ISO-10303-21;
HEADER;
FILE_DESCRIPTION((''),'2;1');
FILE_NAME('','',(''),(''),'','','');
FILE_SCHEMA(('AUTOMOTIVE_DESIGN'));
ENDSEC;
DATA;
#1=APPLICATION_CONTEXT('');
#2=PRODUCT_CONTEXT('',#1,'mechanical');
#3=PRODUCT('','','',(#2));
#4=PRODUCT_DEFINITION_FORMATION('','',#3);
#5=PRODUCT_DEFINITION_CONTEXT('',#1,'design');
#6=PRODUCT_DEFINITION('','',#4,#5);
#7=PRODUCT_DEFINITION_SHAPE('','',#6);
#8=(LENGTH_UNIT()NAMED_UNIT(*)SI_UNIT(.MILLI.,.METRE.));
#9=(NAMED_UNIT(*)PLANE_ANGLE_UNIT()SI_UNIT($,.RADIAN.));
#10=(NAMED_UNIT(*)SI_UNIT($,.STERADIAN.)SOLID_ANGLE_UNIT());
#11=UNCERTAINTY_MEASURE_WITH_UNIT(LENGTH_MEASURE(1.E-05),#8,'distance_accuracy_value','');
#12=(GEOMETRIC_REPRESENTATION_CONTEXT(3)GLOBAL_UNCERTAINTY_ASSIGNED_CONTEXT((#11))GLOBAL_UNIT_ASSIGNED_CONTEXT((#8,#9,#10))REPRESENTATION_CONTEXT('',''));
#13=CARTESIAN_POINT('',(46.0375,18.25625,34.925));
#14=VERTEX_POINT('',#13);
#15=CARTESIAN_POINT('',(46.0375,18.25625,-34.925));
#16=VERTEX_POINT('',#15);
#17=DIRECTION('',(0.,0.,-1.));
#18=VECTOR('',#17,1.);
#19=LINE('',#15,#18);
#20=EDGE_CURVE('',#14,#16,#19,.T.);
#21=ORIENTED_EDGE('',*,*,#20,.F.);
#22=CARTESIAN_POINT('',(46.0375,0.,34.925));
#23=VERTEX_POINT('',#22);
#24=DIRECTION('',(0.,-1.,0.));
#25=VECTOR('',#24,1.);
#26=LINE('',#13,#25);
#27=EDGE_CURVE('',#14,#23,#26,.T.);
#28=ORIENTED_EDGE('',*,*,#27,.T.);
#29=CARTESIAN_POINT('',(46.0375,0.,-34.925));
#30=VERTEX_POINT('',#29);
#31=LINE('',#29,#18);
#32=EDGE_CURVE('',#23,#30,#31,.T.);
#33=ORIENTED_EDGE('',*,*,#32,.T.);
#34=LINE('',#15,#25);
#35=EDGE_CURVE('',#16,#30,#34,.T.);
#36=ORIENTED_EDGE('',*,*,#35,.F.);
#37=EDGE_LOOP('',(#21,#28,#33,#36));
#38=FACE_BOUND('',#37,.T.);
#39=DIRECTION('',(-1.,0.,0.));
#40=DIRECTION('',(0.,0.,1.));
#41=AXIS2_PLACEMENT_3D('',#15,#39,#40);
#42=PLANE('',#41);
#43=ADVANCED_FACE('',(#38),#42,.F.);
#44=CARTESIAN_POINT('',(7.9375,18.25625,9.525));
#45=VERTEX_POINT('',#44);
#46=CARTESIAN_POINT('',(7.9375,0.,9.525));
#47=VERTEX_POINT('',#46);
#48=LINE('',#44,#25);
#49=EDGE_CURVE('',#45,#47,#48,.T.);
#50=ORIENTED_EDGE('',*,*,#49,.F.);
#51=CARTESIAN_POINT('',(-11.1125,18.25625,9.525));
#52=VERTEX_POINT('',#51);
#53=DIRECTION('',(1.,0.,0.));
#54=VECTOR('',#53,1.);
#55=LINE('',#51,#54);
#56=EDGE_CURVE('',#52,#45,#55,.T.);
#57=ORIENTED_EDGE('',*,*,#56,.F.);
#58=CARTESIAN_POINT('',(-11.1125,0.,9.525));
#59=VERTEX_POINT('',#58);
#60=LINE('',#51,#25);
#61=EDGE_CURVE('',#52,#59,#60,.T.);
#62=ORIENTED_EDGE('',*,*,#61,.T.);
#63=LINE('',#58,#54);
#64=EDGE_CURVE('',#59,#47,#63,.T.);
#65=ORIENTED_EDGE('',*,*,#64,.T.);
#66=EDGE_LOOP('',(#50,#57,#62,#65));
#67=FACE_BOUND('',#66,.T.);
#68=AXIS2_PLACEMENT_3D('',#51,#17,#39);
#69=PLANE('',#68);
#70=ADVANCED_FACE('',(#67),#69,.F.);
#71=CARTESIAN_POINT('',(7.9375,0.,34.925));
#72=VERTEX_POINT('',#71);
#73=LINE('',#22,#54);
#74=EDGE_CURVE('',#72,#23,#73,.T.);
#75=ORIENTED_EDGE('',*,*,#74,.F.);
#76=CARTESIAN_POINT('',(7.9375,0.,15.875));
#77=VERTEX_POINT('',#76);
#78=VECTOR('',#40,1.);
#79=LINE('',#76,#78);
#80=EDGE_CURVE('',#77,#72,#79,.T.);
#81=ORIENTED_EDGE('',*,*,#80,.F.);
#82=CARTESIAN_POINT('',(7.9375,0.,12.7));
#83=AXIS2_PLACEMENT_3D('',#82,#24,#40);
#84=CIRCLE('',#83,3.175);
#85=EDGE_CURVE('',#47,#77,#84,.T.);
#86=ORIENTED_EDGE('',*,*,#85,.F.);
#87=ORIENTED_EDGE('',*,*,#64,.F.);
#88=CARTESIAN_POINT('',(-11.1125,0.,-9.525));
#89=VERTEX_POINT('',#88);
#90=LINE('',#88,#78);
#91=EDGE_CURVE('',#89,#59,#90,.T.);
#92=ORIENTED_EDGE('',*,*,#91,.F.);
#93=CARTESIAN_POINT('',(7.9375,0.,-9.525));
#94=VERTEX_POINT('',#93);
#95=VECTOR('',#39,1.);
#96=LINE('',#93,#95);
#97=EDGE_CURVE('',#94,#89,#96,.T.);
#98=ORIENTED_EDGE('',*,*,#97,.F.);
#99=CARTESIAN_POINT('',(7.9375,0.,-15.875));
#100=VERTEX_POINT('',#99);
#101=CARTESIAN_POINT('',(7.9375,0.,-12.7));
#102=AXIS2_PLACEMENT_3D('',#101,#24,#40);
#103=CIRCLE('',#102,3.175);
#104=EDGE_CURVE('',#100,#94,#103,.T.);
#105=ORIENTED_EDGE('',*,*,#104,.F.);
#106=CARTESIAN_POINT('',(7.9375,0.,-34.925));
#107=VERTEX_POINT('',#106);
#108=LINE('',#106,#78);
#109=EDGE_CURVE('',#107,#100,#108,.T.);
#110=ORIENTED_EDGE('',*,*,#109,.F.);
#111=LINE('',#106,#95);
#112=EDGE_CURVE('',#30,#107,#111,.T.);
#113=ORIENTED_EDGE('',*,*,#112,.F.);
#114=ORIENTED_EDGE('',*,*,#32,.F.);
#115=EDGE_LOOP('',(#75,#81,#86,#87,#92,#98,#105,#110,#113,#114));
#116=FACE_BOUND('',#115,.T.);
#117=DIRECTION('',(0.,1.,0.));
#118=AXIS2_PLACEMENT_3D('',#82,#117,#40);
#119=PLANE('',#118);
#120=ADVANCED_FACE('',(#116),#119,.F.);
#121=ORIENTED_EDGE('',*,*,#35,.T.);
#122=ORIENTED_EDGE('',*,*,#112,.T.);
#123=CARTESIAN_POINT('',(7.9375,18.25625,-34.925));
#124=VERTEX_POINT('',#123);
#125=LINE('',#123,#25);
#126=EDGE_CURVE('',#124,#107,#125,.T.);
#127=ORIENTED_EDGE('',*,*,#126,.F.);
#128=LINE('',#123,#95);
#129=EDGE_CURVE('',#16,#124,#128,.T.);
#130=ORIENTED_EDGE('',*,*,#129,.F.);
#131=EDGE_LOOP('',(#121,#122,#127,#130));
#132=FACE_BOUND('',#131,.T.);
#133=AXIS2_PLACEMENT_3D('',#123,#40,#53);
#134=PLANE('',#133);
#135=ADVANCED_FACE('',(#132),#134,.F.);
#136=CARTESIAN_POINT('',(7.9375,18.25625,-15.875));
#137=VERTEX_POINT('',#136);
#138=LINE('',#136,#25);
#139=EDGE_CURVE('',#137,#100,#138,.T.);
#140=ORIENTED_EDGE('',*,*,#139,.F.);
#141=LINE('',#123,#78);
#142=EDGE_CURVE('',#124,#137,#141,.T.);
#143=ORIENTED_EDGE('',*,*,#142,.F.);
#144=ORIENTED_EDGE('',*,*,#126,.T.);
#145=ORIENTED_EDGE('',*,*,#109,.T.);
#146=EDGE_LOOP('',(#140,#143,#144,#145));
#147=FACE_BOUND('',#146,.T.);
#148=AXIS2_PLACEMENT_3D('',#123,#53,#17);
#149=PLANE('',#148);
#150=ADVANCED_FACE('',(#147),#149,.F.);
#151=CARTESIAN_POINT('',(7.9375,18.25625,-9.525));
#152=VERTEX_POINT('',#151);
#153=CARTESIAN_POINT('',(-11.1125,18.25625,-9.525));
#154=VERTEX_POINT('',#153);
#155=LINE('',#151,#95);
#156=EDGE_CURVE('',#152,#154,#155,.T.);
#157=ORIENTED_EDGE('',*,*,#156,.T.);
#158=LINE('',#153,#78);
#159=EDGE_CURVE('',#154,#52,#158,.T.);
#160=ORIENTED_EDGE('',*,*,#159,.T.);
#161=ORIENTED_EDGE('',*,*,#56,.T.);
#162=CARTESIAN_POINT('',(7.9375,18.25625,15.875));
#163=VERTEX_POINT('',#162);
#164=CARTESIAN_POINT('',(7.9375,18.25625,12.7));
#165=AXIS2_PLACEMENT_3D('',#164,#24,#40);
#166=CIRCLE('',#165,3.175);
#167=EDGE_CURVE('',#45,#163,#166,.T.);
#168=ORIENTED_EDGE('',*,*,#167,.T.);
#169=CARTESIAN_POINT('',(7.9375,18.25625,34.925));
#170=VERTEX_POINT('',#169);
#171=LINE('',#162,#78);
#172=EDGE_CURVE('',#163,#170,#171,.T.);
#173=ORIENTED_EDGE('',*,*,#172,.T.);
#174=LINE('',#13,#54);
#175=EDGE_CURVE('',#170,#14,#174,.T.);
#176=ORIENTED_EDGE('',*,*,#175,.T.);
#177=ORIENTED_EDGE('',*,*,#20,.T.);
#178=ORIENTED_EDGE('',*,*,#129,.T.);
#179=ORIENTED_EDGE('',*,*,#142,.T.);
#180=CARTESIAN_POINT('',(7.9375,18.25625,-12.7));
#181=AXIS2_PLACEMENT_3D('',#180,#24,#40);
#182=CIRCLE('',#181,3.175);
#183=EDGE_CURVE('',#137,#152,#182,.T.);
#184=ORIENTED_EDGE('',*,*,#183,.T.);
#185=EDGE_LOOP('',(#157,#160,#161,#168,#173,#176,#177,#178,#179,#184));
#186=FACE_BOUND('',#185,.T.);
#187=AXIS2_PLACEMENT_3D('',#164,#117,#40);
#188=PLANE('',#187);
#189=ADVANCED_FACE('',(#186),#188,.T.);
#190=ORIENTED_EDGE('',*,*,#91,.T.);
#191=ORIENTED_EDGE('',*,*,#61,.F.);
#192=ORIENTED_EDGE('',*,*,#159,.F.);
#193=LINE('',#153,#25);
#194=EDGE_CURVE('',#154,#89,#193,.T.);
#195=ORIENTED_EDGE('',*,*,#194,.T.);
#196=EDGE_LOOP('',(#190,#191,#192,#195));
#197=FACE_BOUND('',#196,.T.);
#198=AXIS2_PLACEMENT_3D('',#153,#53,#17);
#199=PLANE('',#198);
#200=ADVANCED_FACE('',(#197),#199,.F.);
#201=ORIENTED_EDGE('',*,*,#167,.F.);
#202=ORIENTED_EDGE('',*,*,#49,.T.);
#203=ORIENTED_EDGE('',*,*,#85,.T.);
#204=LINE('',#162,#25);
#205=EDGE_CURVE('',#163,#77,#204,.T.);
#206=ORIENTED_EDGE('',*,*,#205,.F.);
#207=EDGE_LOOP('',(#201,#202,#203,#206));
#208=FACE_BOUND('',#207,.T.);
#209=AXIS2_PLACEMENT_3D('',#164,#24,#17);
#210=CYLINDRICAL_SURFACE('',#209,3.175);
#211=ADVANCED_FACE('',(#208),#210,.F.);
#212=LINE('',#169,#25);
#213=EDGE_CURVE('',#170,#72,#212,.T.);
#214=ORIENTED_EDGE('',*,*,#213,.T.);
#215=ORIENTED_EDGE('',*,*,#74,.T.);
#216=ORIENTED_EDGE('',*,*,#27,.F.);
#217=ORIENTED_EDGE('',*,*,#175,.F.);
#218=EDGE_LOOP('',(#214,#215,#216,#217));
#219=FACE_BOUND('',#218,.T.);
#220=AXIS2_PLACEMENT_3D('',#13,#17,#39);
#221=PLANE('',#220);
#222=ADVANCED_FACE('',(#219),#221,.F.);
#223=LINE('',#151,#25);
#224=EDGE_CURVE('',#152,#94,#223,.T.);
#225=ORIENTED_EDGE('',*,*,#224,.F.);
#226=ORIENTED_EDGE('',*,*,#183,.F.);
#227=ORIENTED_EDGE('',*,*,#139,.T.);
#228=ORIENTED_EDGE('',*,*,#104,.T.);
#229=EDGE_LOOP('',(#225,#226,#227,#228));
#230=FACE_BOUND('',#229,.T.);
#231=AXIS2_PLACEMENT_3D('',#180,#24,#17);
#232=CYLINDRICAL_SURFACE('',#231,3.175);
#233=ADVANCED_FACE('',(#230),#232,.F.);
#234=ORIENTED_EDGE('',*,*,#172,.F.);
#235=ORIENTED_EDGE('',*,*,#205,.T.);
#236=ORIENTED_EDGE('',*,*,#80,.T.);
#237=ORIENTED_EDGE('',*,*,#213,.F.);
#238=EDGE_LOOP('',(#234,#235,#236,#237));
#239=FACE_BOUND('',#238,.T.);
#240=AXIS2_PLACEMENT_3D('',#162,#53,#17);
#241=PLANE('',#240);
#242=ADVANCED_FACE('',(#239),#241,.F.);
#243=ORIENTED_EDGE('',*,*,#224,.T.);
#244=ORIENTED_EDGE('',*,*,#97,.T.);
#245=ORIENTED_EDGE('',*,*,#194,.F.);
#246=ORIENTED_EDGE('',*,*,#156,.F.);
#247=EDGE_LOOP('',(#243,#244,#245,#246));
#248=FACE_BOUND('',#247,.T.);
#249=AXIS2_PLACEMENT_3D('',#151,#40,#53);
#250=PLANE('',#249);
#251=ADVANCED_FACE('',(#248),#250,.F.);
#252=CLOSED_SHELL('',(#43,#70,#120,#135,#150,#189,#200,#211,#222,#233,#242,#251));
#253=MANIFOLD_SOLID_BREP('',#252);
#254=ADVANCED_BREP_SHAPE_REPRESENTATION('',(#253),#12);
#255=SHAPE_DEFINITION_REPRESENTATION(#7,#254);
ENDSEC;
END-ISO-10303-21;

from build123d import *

# Parameters (mm, degrees)
BOSS_EXTRUDE1_DEPTH = 18.25625


with BuildPart() as part:
    # Sketch1 → Boss-Extrude1 (new body)
    with BuildSketch(Plane(origin=(0, 0, 0), x_dir=(1, 0, 0), z_dir=(0, 1, 0))):
        with BuildLine():
            Line((7.9375, 34.925), (7.9375, 15.875))
            ThreePointArc((7.9375, 15.875), (11.1125, 12.7), (7.9375, 9.525))
            Line((7.9375, 9.525), (-11.1125, 9.525))
            Line((-11.1125, 9.525), (-11.1125, -9.525))
            Line((-11.1125, -9.525), (7.9375, -9.525))
            ThreePointArc((7.9375, -9.525), (11.1125, -12.7), (7.9375, -15.875))
            Line((7.9375, -15.875), (7.9375, -34.925))
            Line((7.9375, -34.925), (46.0375, -34.925))
            Line((46.0375, -34.925), (46.0375, 34.925))
            Line((46.0375, 34.925), (7.9375, 34.925))
        make_face()
    extrude(amount=BOSS_EXTRUDE1_DEPTH)


solid = part.part
